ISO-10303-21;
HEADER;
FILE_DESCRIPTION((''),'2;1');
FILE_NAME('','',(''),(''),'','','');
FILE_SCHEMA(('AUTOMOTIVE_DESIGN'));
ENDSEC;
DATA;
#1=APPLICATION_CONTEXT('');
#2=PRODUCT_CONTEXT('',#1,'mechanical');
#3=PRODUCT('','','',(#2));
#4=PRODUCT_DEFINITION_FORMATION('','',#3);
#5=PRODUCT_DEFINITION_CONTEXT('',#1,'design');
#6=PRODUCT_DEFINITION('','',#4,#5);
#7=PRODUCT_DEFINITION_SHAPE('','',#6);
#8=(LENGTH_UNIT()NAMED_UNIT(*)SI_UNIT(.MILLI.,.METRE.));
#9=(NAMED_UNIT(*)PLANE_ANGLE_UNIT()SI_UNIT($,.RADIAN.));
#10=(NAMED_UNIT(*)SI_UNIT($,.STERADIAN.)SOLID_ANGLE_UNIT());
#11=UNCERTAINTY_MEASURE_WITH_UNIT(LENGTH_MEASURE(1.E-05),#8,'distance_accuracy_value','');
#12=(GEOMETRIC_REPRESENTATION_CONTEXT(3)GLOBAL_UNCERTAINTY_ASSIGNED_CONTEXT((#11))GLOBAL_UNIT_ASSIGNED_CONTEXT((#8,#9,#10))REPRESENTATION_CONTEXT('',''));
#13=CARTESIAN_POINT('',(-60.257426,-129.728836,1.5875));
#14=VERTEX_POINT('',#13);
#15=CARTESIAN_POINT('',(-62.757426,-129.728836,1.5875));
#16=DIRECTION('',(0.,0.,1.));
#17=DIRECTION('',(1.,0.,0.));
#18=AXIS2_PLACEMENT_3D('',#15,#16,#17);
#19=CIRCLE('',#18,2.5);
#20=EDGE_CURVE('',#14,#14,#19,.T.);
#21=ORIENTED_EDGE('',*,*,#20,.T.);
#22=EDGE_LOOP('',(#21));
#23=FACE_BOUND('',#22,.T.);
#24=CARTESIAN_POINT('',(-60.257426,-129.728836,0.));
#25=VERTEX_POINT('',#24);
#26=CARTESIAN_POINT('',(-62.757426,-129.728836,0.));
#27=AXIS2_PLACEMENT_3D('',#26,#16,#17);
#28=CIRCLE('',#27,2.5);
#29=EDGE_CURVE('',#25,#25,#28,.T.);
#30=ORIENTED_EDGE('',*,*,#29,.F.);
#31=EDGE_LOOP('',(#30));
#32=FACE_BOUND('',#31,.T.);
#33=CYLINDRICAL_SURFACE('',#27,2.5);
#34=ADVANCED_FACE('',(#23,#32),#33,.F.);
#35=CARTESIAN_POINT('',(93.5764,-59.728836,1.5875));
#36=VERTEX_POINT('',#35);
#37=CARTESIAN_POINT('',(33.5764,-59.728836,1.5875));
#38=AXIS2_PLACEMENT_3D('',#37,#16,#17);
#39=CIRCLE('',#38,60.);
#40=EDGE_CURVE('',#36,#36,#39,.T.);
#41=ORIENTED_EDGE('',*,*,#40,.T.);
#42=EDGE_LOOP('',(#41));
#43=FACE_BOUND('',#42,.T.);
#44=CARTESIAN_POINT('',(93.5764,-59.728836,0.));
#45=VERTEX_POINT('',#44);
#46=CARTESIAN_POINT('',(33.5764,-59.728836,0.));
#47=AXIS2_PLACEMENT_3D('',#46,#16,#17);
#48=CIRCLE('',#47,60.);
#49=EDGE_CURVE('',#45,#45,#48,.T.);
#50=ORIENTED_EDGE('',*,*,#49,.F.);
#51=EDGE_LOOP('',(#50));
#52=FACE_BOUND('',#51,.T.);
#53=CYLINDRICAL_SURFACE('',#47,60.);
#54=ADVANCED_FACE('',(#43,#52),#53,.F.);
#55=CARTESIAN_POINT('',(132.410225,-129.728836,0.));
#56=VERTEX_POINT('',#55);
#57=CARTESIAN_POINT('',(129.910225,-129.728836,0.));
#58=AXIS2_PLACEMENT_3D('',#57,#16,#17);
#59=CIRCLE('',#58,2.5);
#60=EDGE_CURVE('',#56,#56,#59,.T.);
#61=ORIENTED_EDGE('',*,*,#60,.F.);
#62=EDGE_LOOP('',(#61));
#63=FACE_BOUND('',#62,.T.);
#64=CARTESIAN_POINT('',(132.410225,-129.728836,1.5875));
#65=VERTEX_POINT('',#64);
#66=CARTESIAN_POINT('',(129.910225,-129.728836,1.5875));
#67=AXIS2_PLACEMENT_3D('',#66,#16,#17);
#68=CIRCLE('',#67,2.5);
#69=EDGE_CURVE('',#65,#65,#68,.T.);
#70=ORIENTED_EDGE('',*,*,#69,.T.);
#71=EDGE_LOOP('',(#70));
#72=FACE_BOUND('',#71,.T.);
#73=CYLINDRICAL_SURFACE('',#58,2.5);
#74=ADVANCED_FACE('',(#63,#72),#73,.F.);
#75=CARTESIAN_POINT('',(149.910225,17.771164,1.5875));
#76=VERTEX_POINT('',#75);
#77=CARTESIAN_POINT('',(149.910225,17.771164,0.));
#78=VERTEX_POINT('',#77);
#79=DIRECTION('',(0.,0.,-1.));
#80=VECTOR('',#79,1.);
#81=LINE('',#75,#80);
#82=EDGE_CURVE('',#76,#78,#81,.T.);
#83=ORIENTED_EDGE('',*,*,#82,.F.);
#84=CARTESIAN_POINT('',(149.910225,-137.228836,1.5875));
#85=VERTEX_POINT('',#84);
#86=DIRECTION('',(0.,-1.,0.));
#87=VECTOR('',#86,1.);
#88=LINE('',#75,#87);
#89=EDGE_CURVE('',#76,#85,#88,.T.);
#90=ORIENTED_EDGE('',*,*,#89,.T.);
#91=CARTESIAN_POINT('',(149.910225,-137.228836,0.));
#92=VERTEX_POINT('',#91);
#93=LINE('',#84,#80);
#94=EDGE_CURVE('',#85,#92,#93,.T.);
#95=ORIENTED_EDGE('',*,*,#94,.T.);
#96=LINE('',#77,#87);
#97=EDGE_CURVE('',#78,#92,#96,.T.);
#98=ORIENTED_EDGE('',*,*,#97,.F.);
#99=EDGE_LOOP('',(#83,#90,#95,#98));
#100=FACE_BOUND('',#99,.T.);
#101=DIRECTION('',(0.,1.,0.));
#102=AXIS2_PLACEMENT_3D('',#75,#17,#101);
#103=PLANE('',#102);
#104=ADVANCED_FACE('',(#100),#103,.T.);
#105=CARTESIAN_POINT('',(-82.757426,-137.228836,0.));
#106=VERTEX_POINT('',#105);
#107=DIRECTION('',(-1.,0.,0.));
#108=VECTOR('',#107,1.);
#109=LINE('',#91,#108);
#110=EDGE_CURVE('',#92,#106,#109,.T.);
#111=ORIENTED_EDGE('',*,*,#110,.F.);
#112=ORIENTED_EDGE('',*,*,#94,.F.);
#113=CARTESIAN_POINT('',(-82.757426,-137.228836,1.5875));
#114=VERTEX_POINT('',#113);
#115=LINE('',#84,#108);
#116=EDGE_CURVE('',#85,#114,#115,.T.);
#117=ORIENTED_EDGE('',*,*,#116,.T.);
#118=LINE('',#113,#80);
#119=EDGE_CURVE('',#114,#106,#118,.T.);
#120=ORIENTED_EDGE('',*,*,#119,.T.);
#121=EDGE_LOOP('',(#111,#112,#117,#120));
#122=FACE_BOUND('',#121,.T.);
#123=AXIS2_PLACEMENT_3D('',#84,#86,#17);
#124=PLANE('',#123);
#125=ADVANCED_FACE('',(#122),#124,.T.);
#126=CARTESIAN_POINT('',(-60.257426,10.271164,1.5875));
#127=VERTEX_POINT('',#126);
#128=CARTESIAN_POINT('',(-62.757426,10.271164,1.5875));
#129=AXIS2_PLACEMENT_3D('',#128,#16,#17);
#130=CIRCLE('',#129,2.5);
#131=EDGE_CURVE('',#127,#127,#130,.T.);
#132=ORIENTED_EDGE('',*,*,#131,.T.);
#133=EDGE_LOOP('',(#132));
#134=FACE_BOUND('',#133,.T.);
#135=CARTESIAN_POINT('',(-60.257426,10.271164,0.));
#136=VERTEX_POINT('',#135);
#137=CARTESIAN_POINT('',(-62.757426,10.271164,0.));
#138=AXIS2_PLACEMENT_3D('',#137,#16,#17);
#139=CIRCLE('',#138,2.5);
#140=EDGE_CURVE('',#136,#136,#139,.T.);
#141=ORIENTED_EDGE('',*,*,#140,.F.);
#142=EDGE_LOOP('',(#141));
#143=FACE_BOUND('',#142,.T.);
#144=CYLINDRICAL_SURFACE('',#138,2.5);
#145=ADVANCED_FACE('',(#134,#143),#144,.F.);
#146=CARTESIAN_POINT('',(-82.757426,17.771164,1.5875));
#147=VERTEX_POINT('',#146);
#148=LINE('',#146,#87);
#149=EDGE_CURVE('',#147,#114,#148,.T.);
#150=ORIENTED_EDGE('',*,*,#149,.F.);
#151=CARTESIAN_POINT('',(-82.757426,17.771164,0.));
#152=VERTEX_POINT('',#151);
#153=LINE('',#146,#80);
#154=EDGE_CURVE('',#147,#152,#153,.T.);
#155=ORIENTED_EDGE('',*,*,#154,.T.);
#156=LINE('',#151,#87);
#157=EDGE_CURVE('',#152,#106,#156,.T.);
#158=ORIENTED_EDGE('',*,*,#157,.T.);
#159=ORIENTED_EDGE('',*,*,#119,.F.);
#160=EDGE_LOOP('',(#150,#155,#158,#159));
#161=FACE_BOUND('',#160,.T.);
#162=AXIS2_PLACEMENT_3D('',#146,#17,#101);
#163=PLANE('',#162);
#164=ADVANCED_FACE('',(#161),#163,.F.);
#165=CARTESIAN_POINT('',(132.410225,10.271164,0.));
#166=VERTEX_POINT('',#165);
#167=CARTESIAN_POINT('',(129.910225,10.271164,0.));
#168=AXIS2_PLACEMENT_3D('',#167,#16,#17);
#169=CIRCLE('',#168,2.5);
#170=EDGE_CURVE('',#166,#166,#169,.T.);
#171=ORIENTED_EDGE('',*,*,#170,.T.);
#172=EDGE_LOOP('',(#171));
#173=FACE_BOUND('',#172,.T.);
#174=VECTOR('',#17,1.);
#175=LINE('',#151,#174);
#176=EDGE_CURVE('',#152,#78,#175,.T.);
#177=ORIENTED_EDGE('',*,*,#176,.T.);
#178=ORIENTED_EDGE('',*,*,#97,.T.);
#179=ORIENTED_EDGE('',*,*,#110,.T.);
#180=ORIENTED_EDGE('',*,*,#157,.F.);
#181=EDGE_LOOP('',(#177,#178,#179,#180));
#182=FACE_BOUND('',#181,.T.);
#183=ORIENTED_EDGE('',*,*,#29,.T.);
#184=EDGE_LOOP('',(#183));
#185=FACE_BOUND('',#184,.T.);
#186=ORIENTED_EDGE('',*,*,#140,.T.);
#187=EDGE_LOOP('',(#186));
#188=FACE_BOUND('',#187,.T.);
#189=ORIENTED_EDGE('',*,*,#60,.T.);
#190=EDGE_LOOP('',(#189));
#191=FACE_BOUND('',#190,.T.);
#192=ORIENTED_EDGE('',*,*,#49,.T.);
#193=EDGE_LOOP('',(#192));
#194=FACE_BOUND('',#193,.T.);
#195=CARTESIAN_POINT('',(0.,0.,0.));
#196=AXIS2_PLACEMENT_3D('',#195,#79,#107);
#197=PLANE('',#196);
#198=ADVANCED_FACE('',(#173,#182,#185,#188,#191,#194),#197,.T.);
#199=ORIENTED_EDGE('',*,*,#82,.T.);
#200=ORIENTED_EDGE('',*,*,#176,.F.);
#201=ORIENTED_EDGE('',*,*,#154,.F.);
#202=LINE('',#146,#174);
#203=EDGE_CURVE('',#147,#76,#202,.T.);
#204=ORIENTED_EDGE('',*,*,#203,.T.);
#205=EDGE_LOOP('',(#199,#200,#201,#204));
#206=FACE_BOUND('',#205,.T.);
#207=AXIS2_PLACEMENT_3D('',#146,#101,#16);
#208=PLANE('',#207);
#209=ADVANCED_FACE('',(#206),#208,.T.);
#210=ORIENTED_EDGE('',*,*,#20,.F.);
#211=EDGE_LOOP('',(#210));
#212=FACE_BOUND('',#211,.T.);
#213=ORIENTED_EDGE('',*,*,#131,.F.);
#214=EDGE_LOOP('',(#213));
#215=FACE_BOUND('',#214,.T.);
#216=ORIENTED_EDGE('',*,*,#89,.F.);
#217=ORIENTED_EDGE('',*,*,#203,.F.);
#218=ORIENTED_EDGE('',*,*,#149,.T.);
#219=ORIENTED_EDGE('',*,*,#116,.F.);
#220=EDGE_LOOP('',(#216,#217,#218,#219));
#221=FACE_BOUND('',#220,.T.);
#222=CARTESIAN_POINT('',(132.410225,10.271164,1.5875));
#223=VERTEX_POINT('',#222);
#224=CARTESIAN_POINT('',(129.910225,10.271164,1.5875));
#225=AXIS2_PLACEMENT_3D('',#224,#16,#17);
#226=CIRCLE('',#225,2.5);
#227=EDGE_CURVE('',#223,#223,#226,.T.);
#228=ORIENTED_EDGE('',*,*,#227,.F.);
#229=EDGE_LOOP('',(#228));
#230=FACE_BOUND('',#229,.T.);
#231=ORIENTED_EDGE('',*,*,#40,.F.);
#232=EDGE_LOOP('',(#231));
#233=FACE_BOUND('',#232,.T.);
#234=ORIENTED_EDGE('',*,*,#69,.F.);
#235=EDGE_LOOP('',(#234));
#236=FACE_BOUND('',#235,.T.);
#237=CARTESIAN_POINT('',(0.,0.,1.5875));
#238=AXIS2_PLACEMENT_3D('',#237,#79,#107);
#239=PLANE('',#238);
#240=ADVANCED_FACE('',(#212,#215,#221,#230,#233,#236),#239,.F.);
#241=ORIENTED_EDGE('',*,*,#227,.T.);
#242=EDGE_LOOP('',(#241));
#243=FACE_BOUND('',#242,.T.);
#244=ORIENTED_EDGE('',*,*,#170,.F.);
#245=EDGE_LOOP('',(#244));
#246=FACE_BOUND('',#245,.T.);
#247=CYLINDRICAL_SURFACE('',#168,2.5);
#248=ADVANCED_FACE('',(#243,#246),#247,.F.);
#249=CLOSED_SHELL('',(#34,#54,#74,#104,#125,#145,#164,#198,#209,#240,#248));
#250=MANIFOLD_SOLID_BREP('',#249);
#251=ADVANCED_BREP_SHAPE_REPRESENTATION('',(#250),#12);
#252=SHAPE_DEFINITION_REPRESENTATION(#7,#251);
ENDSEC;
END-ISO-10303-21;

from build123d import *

# Parameters (mm, degrees)
SKETCH1_W           = 232.6676516
SKETCH1_H           = 155
BOSS_EXTRUDE1_DEPTH = 1.5875
SKETCH2_R           = 60
CUT_EXTRUDE1_DEPTH  = 204.242095442
SKETCH6_R           = 2.5
CUT_EXTRUDE2_DEPTH  = 204.242095442


with BuildPart() as part:
    # Sketch1 → Boss-Extrude1 (new body)
    with BuildSketch(Plane.XY):
        with Locations((33.576399593, -59.72883635)):
            Rectangle(SKETCH1_W, SKETCH1_H)
    extrude(amount=BOSS_EXTRUDE1_DEPTH)

    # Sketch2 → Cut-Extrude1 (cut, through all)
    with BuildSketch(Plane.XY.offset(1.5875)):
        with Locations((33.576399593, -59.72883635)):
            Circle(SKETCH2_R)
    extrude(amount=-CUT_EXTRUDE1_DEPTH, mode=Mode.SUBTRACT)

    # Sketch6 → Cut-Extrude2 (cut, through all)
    with BuildSketch(Plane.XY.offset(1.5875)):
        with Locations((129.910225393, 10.27116365)):
            Circle(SKETCH6_R)
        with Locations((129.910225393, -129.72883635)):
            Circle(SKETCH6_R)
        with Locations((-62.757426207, 10.27116365)):
            Circle(SKETCH6_R)
        with Locations((-62.757426207, -129.72883635)):
            Circle(SKETCH6_R)
    extrude(amount=-CUT_EXTRUDE2_DEPTH, mode=Mode.SUBTRACT)


solid = part.part
